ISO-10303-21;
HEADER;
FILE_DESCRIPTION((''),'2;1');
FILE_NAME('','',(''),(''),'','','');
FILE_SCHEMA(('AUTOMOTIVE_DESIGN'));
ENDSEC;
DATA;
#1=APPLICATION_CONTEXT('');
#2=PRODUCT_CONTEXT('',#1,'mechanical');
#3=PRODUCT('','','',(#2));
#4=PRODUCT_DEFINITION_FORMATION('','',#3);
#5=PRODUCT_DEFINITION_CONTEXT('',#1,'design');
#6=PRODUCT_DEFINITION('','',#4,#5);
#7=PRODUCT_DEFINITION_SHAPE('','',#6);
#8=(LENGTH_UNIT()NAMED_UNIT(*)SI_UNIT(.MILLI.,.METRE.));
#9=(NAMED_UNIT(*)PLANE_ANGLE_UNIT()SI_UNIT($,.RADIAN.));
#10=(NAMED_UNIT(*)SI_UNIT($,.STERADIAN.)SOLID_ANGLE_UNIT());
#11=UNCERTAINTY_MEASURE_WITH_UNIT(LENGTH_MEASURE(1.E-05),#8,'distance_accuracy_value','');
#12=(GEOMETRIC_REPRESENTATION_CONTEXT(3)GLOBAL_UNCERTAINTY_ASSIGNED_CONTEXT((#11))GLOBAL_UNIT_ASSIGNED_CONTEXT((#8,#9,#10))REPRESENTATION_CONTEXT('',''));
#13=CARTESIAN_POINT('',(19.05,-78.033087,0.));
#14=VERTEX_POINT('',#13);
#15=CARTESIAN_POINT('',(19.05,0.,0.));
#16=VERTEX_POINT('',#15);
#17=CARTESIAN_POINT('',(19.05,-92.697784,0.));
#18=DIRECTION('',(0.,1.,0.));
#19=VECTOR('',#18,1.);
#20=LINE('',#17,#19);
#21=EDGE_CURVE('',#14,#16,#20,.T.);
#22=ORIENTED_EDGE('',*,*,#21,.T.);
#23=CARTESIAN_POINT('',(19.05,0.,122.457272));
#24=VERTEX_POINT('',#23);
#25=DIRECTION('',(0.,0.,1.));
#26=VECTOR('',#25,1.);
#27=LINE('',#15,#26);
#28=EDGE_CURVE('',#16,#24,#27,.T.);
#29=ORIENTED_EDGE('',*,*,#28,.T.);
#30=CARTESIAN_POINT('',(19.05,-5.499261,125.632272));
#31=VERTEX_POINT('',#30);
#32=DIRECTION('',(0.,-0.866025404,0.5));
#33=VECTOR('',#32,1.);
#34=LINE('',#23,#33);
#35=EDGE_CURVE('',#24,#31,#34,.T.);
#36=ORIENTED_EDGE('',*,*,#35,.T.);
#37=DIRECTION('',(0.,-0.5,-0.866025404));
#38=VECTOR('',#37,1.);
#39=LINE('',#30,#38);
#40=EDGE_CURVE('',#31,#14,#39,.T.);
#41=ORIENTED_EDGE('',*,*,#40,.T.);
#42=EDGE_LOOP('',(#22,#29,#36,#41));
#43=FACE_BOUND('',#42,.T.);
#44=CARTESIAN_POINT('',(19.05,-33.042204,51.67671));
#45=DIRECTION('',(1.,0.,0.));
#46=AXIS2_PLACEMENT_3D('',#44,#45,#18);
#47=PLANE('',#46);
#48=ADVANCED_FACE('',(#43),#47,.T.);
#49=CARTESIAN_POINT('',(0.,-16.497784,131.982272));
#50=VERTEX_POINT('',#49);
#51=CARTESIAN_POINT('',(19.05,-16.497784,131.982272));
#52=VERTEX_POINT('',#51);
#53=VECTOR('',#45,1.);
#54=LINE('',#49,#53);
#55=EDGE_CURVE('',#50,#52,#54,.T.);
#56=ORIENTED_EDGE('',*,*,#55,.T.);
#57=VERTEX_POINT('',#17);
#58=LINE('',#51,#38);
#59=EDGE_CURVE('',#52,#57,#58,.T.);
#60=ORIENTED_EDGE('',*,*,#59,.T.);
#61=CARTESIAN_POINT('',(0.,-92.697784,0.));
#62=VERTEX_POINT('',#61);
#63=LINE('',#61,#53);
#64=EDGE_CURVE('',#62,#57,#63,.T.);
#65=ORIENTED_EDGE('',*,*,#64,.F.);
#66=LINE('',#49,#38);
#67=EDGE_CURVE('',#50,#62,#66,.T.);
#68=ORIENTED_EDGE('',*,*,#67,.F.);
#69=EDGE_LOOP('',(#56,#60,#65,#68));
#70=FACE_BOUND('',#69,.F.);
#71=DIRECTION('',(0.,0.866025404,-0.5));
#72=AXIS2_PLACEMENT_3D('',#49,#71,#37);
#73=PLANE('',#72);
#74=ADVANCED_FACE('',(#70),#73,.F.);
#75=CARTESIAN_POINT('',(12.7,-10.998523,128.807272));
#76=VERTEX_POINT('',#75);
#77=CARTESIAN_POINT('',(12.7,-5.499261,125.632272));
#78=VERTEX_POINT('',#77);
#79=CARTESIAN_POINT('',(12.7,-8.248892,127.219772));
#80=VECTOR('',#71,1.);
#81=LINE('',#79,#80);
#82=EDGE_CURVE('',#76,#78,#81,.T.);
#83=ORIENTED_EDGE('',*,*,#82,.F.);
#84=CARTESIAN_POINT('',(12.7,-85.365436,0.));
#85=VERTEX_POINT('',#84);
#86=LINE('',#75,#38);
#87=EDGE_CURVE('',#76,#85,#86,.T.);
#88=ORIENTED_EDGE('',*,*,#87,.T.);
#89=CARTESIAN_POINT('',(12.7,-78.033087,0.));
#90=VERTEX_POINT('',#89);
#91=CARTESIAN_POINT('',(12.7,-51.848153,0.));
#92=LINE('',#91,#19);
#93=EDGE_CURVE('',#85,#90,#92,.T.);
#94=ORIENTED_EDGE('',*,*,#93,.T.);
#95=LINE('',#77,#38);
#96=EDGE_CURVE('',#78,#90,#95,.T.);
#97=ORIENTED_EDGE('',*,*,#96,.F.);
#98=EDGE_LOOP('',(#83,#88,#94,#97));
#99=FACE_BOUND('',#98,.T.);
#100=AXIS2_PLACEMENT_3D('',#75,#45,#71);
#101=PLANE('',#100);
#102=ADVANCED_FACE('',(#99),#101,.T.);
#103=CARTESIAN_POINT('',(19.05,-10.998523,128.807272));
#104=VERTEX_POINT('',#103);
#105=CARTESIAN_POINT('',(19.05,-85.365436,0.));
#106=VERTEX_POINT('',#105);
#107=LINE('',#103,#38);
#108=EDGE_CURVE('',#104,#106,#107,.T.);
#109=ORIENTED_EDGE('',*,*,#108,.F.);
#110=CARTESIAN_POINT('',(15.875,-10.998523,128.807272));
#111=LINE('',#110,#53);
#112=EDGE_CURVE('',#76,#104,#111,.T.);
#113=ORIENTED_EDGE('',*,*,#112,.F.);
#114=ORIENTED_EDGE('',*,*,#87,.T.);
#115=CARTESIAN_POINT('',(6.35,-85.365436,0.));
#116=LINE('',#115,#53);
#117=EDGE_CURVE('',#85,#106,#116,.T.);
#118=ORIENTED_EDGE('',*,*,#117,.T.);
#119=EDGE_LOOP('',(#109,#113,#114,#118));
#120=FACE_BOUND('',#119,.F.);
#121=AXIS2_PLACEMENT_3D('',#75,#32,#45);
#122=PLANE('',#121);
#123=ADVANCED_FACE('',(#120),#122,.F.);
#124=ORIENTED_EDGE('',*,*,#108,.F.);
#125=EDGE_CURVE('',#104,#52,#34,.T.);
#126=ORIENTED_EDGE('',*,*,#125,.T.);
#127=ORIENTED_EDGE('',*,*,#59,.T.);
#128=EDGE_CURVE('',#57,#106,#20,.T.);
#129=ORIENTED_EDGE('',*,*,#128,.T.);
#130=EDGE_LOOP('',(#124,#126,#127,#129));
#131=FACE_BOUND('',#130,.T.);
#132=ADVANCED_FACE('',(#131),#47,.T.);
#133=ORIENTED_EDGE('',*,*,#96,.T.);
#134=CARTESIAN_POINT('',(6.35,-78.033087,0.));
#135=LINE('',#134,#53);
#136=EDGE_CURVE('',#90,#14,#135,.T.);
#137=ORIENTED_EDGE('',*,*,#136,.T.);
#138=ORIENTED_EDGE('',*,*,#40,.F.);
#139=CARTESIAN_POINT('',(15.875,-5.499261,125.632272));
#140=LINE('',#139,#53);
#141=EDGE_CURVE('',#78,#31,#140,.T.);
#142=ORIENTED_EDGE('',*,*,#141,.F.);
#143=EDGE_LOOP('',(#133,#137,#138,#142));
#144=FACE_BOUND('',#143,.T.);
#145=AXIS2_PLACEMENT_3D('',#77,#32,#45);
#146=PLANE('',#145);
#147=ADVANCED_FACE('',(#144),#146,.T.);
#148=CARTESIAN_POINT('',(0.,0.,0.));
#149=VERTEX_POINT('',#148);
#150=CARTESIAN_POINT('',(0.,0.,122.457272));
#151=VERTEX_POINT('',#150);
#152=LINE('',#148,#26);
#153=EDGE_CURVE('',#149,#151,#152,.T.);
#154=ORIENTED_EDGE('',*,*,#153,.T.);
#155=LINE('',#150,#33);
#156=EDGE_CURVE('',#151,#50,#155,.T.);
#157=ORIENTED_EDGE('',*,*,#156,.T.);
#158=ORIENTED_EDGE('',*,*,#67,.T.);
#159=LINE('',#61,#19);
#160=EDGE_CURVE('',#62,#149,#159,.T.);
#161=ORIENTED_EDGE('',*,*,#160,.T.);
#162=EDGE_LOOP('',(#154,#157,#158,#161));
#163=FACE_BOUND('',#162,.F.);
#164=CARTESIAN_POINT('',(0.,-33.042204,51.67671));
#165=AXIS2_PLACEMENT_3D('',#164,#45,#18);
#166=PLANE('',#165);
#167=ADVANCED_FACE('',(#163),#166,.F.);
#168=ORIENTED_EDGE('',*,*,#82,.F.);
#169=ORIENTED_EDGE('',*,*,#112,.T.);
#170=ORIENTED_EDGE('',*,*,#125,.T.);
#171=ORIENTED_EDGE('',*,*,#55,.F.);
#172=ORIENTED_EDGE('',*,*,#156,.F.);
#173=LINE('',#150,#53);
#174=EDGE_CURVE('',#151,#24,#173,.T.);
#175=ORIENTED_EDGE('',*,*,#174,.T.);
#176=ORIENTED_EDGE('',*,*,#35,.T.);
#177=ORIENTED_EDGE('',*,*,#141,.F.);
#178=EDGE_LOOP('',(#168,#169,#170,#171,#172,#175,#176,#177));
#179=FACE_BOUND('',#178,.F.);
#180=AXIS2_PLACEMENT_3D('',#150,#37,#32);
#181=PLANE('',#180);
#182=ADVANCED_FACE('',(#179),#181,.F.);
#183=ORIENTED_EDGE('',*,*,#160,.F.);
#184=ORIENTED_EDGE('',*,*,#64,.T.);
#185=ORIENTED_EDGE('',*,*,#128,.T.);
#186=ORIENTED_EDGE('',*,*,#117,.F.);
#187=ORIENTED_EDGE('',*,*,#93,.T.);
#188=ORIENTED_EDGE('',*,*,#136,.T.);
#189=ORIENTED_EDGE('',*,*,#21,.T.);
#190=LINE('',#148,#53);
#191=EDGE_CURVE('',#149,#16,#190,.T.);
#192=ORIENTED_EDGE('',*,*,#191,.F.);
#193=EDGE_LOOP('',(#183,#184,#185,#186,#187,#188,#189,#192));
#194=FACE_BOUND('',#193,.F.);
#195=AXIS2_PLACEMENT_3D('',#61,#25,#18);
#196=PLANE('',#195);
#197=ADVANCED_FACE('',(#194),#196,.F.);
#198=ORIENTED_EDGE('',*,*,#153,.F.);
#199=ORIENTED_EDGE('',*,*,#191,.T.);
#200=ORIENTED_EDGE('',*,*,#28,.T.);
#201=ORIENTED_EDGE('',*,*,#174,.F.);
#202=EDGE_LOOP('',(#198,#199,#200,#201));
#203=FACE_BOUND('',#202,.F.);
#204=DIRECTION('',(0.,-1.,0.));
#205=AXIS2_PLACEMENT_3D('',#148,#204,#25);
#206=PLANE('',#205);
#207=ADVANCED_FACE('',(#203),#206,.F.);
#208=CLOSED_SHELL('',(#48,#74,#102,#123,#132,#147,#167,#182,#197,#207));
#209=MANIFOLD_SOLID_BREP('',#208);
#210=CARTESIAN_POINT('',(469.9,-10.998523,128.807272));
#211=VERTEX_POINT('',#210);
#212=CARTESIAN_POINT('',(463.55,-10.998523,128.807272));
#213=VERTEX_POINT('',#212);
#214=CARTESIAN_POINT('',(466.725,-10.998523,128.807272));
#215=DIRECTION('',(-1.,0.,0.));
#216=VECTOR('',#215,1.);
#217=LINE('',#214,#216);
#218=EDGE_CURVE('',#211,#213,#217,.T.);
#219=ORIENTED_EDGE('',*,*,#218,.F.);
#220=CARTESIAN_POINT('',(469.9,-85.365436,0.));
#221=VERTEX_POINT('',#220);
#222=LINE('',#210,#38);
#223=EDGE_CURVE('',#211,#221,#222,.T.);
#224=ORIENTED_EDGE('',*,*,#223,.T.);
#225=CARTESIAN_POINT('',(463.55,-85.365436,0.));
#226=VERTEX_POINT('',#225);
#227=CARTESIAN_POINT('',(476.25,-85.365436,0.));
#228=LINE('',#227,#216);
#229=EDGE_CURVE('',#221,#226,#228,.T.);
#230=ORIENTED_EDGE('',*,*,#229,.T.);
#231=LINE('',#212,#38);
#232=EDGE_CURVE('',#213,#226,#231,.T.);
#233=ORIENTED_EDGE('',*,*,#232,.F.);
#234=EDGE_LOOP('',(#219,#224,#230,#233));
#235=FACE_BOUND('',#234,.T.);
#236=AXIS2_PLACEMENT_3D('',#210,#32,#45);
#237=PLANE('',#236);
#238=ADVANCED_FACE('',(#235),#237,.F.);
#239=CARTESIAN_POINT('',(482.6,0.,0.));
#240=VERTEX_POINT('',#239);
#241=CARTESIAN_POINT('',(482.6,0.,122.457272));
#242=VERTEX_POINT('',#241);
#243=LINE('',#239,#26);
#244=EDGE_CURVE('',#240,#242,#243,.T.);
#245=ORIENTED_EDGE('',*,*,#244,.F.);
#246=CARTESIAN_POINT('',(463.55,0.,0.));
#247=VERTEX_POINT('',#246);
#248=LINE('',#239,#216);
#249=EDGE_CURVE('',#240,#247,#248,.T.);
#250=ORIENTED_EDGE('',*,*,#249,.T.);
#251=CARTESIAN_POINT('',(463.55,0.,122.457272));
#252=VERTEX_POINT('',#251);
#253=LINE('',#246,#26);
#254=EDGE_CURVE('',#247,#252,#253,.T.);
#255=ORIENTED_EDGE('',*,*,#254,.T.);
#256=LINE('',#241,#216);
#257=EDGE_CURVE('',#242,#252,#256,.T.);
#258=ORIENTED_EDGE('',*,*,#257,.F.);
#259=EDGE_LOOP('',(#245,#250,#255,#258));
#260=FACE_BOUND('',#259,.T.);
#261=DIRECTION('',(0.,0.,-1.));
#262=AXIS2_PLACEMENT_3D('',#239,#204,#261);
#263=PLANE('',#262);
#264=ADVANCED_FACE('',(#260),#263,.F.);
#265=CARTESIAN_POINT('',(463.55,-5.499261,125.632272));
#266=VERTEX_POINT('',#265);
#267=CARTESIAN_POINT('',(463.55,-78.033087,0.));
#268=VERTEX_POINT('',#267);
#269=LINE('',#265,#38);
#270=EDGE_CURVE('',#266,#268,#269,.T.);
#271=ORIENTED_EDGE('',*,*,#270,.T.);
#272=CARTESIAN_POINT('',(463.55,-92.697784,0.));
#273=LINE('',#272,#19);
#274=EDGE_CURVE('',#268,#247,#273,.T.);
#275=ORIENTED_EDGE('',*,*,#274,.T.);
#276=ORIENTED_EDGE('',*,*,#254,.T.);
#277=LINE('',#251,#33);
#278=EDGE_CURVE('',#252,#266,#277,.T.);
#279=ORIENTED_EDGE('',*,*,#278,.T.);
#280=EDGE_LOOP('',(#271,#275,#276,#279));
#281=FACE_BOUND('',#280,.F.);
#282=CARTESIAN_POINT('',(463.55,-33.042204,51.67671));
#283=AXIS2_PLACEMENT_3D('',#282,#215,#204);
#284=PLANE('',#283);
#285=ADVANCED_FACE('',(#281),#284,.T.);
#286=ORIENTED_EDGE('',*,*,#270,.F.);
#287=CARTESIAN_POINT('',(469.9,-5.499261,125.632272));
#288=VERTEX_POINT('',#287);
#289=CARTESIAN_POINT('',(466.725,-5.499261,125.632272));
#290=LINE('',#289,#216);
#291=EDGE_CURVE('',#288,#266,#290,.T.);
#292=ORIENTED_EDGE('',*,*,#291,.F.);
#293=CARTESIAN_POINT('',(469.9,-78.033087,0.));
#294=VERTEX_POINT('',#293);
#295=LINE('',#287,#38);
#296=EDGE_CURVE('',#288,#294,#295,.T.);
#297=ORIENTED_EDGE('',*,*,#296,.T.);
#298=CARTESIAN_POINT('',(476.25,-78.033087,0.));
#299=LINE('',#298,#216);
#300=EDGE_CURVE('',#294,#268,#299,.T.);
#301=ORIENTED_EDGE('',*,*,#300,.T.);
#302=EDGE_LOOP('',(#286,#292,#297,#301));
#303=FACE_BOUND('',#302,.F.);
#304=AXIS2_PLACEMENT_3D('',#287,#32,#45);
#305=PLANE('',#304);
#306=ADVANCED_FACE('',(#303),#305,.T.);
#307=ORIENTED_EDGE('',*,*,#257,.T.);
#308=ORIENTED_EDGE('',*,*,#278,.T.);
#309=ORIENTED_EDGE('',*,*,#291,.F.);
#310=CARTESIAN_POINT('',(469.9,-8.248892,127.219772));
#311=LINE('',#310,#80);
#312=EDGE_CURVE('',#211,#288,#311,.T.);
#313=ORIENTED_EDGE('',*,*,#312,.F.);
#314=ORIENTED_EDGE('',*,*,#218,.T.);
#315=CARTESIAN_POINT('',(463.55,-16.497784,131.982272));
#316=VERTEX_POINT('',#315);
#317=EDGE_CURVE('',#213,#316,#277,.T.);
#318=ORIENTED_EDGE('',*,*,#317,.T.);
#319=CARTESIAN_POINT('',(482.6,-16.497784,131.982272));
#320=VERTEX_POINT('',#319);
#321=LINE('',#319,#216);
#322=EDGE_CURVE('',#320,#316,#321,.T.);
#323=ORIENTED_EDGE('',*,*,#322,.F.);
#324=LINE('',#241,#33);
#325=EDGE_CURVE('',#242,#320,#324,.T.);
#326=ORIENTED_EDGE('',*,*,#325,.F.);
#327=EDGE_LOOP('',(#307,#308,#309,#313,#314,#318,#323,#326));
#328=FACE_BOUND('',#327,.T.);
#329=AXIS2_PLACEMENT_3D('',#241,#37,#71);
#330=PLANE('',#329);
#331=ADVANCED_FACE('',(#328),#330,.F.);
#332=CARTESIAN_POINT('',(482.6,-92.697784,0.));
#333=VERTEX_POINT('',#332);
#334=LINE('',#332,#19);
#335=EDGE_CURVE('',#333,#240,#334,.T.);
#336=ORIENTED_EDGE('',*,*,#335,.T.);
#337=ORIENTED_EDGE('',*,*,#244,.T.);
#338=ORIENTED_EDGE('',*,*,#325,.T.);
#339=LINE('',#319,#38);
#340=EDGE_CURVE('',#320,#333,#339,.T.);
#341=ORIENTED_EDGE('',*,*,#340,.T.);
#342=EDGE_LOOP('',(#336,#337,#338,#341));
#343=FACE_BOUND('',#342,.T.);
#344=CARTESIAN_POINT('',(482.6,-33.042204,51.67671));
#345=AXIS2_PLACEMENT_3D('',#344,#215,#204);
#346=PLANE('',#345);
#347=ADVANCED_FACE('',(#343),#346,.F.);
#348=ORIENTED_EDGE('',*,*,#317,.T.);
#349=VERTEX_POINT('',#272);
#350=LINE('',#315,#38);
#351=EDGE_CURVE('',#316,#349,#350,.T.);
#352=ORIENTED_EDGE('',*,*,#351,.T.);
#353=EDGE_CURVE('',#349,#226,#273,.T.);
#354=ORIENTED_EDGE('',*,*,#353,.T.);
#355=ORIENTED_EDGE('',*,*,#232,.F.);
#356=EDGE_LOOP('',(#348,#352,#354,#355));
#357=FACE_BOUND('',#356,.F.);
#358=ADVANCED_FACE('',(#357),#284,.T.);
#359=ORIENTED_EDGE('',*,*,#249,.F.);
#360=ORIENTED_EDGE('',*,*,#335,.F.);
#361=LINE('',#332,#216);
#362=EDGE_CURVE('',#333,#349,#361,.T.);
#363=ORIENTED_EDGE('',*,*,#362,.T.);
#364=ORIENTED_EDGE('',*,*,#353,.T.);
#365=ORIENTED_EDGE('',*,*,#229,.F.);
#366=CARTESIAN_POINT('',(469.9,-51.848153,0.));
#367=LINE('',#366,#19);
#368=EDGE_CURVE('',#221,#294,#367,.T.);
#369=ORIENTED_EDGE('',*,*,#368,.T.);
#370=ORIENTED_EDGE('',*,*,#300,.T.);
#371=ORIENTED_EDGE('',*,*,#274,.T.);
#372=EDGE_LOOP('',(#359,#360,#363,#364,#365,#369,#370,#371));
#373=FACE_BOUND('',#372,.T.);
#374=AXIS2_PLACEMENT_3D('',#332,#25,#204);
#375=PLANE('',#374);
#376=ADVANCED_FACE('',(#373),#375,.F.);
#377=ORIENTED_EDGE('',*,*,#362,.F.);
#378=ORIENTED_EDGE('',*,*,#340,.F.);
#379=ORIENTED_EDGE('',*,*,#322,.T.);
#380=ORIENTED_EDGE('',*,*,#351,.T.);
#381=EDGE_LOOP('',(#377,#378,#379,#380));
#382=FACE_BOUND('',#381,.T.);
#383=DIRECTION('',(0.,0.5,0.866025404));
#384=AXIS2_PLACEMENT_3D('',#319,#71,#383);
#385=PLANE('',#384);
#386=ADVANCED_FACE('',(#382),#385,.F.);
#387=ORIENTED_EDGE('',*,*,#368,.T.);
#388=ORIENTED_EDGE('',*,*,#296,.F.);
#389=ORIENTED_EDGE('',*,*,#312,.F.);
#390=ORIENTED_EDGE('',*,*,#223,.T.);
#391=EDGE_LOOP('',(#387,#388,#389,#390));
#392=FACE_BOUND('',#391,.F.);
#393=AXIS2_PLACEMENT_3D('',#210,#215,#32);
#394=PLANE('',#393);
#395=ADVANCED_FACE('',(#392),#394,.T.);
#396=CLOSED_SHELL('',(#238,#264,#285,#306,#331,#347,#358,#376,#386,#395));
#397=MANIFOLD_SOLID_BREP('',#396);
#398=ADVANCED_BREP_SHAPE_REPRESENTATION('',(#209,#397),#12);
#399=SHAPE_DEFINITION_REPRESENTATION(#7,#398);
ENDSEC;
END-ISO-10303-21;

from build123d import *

# Parameters (mm, degrees)
F1_DEPTH = 19.05
F5_W     = 6.35
F5_H     = 6.35
F6_DEPTH = 152.4


with BuildPart() as f1:
    # F0 (on Right) → F1 (new body)
    with BuildSketch(Plane.YZ):
        Polygon((-92.6977839421, 0), (0, 0), (0, 122.4572715367), (-16.4977839421, 131.9822715367), align=None)
    extrude(amount=F1_DEPTH)

    # F5 (on offset) → F6 (cut)
    with BuildSketch(Plane(origin=(0, 53.0255540145, 91.8429536526), x_dir=(1, 0, 0), z_dir=(0, 0.5, 0.8660254038))):
        with Locations((15.875, -70.7536357684)):
            Rectangle(F5_W, F5_H)
    extrude(amount=-F6_DEPTH, mode=Mode.SUBTRACT)


with BuildPart() as f8_1:
    # F8: instance of F1
    add(f1.part.mirror(Plane.YZ.offset(241.3)))


solid = Compound([f1.part, f8_1.part])
